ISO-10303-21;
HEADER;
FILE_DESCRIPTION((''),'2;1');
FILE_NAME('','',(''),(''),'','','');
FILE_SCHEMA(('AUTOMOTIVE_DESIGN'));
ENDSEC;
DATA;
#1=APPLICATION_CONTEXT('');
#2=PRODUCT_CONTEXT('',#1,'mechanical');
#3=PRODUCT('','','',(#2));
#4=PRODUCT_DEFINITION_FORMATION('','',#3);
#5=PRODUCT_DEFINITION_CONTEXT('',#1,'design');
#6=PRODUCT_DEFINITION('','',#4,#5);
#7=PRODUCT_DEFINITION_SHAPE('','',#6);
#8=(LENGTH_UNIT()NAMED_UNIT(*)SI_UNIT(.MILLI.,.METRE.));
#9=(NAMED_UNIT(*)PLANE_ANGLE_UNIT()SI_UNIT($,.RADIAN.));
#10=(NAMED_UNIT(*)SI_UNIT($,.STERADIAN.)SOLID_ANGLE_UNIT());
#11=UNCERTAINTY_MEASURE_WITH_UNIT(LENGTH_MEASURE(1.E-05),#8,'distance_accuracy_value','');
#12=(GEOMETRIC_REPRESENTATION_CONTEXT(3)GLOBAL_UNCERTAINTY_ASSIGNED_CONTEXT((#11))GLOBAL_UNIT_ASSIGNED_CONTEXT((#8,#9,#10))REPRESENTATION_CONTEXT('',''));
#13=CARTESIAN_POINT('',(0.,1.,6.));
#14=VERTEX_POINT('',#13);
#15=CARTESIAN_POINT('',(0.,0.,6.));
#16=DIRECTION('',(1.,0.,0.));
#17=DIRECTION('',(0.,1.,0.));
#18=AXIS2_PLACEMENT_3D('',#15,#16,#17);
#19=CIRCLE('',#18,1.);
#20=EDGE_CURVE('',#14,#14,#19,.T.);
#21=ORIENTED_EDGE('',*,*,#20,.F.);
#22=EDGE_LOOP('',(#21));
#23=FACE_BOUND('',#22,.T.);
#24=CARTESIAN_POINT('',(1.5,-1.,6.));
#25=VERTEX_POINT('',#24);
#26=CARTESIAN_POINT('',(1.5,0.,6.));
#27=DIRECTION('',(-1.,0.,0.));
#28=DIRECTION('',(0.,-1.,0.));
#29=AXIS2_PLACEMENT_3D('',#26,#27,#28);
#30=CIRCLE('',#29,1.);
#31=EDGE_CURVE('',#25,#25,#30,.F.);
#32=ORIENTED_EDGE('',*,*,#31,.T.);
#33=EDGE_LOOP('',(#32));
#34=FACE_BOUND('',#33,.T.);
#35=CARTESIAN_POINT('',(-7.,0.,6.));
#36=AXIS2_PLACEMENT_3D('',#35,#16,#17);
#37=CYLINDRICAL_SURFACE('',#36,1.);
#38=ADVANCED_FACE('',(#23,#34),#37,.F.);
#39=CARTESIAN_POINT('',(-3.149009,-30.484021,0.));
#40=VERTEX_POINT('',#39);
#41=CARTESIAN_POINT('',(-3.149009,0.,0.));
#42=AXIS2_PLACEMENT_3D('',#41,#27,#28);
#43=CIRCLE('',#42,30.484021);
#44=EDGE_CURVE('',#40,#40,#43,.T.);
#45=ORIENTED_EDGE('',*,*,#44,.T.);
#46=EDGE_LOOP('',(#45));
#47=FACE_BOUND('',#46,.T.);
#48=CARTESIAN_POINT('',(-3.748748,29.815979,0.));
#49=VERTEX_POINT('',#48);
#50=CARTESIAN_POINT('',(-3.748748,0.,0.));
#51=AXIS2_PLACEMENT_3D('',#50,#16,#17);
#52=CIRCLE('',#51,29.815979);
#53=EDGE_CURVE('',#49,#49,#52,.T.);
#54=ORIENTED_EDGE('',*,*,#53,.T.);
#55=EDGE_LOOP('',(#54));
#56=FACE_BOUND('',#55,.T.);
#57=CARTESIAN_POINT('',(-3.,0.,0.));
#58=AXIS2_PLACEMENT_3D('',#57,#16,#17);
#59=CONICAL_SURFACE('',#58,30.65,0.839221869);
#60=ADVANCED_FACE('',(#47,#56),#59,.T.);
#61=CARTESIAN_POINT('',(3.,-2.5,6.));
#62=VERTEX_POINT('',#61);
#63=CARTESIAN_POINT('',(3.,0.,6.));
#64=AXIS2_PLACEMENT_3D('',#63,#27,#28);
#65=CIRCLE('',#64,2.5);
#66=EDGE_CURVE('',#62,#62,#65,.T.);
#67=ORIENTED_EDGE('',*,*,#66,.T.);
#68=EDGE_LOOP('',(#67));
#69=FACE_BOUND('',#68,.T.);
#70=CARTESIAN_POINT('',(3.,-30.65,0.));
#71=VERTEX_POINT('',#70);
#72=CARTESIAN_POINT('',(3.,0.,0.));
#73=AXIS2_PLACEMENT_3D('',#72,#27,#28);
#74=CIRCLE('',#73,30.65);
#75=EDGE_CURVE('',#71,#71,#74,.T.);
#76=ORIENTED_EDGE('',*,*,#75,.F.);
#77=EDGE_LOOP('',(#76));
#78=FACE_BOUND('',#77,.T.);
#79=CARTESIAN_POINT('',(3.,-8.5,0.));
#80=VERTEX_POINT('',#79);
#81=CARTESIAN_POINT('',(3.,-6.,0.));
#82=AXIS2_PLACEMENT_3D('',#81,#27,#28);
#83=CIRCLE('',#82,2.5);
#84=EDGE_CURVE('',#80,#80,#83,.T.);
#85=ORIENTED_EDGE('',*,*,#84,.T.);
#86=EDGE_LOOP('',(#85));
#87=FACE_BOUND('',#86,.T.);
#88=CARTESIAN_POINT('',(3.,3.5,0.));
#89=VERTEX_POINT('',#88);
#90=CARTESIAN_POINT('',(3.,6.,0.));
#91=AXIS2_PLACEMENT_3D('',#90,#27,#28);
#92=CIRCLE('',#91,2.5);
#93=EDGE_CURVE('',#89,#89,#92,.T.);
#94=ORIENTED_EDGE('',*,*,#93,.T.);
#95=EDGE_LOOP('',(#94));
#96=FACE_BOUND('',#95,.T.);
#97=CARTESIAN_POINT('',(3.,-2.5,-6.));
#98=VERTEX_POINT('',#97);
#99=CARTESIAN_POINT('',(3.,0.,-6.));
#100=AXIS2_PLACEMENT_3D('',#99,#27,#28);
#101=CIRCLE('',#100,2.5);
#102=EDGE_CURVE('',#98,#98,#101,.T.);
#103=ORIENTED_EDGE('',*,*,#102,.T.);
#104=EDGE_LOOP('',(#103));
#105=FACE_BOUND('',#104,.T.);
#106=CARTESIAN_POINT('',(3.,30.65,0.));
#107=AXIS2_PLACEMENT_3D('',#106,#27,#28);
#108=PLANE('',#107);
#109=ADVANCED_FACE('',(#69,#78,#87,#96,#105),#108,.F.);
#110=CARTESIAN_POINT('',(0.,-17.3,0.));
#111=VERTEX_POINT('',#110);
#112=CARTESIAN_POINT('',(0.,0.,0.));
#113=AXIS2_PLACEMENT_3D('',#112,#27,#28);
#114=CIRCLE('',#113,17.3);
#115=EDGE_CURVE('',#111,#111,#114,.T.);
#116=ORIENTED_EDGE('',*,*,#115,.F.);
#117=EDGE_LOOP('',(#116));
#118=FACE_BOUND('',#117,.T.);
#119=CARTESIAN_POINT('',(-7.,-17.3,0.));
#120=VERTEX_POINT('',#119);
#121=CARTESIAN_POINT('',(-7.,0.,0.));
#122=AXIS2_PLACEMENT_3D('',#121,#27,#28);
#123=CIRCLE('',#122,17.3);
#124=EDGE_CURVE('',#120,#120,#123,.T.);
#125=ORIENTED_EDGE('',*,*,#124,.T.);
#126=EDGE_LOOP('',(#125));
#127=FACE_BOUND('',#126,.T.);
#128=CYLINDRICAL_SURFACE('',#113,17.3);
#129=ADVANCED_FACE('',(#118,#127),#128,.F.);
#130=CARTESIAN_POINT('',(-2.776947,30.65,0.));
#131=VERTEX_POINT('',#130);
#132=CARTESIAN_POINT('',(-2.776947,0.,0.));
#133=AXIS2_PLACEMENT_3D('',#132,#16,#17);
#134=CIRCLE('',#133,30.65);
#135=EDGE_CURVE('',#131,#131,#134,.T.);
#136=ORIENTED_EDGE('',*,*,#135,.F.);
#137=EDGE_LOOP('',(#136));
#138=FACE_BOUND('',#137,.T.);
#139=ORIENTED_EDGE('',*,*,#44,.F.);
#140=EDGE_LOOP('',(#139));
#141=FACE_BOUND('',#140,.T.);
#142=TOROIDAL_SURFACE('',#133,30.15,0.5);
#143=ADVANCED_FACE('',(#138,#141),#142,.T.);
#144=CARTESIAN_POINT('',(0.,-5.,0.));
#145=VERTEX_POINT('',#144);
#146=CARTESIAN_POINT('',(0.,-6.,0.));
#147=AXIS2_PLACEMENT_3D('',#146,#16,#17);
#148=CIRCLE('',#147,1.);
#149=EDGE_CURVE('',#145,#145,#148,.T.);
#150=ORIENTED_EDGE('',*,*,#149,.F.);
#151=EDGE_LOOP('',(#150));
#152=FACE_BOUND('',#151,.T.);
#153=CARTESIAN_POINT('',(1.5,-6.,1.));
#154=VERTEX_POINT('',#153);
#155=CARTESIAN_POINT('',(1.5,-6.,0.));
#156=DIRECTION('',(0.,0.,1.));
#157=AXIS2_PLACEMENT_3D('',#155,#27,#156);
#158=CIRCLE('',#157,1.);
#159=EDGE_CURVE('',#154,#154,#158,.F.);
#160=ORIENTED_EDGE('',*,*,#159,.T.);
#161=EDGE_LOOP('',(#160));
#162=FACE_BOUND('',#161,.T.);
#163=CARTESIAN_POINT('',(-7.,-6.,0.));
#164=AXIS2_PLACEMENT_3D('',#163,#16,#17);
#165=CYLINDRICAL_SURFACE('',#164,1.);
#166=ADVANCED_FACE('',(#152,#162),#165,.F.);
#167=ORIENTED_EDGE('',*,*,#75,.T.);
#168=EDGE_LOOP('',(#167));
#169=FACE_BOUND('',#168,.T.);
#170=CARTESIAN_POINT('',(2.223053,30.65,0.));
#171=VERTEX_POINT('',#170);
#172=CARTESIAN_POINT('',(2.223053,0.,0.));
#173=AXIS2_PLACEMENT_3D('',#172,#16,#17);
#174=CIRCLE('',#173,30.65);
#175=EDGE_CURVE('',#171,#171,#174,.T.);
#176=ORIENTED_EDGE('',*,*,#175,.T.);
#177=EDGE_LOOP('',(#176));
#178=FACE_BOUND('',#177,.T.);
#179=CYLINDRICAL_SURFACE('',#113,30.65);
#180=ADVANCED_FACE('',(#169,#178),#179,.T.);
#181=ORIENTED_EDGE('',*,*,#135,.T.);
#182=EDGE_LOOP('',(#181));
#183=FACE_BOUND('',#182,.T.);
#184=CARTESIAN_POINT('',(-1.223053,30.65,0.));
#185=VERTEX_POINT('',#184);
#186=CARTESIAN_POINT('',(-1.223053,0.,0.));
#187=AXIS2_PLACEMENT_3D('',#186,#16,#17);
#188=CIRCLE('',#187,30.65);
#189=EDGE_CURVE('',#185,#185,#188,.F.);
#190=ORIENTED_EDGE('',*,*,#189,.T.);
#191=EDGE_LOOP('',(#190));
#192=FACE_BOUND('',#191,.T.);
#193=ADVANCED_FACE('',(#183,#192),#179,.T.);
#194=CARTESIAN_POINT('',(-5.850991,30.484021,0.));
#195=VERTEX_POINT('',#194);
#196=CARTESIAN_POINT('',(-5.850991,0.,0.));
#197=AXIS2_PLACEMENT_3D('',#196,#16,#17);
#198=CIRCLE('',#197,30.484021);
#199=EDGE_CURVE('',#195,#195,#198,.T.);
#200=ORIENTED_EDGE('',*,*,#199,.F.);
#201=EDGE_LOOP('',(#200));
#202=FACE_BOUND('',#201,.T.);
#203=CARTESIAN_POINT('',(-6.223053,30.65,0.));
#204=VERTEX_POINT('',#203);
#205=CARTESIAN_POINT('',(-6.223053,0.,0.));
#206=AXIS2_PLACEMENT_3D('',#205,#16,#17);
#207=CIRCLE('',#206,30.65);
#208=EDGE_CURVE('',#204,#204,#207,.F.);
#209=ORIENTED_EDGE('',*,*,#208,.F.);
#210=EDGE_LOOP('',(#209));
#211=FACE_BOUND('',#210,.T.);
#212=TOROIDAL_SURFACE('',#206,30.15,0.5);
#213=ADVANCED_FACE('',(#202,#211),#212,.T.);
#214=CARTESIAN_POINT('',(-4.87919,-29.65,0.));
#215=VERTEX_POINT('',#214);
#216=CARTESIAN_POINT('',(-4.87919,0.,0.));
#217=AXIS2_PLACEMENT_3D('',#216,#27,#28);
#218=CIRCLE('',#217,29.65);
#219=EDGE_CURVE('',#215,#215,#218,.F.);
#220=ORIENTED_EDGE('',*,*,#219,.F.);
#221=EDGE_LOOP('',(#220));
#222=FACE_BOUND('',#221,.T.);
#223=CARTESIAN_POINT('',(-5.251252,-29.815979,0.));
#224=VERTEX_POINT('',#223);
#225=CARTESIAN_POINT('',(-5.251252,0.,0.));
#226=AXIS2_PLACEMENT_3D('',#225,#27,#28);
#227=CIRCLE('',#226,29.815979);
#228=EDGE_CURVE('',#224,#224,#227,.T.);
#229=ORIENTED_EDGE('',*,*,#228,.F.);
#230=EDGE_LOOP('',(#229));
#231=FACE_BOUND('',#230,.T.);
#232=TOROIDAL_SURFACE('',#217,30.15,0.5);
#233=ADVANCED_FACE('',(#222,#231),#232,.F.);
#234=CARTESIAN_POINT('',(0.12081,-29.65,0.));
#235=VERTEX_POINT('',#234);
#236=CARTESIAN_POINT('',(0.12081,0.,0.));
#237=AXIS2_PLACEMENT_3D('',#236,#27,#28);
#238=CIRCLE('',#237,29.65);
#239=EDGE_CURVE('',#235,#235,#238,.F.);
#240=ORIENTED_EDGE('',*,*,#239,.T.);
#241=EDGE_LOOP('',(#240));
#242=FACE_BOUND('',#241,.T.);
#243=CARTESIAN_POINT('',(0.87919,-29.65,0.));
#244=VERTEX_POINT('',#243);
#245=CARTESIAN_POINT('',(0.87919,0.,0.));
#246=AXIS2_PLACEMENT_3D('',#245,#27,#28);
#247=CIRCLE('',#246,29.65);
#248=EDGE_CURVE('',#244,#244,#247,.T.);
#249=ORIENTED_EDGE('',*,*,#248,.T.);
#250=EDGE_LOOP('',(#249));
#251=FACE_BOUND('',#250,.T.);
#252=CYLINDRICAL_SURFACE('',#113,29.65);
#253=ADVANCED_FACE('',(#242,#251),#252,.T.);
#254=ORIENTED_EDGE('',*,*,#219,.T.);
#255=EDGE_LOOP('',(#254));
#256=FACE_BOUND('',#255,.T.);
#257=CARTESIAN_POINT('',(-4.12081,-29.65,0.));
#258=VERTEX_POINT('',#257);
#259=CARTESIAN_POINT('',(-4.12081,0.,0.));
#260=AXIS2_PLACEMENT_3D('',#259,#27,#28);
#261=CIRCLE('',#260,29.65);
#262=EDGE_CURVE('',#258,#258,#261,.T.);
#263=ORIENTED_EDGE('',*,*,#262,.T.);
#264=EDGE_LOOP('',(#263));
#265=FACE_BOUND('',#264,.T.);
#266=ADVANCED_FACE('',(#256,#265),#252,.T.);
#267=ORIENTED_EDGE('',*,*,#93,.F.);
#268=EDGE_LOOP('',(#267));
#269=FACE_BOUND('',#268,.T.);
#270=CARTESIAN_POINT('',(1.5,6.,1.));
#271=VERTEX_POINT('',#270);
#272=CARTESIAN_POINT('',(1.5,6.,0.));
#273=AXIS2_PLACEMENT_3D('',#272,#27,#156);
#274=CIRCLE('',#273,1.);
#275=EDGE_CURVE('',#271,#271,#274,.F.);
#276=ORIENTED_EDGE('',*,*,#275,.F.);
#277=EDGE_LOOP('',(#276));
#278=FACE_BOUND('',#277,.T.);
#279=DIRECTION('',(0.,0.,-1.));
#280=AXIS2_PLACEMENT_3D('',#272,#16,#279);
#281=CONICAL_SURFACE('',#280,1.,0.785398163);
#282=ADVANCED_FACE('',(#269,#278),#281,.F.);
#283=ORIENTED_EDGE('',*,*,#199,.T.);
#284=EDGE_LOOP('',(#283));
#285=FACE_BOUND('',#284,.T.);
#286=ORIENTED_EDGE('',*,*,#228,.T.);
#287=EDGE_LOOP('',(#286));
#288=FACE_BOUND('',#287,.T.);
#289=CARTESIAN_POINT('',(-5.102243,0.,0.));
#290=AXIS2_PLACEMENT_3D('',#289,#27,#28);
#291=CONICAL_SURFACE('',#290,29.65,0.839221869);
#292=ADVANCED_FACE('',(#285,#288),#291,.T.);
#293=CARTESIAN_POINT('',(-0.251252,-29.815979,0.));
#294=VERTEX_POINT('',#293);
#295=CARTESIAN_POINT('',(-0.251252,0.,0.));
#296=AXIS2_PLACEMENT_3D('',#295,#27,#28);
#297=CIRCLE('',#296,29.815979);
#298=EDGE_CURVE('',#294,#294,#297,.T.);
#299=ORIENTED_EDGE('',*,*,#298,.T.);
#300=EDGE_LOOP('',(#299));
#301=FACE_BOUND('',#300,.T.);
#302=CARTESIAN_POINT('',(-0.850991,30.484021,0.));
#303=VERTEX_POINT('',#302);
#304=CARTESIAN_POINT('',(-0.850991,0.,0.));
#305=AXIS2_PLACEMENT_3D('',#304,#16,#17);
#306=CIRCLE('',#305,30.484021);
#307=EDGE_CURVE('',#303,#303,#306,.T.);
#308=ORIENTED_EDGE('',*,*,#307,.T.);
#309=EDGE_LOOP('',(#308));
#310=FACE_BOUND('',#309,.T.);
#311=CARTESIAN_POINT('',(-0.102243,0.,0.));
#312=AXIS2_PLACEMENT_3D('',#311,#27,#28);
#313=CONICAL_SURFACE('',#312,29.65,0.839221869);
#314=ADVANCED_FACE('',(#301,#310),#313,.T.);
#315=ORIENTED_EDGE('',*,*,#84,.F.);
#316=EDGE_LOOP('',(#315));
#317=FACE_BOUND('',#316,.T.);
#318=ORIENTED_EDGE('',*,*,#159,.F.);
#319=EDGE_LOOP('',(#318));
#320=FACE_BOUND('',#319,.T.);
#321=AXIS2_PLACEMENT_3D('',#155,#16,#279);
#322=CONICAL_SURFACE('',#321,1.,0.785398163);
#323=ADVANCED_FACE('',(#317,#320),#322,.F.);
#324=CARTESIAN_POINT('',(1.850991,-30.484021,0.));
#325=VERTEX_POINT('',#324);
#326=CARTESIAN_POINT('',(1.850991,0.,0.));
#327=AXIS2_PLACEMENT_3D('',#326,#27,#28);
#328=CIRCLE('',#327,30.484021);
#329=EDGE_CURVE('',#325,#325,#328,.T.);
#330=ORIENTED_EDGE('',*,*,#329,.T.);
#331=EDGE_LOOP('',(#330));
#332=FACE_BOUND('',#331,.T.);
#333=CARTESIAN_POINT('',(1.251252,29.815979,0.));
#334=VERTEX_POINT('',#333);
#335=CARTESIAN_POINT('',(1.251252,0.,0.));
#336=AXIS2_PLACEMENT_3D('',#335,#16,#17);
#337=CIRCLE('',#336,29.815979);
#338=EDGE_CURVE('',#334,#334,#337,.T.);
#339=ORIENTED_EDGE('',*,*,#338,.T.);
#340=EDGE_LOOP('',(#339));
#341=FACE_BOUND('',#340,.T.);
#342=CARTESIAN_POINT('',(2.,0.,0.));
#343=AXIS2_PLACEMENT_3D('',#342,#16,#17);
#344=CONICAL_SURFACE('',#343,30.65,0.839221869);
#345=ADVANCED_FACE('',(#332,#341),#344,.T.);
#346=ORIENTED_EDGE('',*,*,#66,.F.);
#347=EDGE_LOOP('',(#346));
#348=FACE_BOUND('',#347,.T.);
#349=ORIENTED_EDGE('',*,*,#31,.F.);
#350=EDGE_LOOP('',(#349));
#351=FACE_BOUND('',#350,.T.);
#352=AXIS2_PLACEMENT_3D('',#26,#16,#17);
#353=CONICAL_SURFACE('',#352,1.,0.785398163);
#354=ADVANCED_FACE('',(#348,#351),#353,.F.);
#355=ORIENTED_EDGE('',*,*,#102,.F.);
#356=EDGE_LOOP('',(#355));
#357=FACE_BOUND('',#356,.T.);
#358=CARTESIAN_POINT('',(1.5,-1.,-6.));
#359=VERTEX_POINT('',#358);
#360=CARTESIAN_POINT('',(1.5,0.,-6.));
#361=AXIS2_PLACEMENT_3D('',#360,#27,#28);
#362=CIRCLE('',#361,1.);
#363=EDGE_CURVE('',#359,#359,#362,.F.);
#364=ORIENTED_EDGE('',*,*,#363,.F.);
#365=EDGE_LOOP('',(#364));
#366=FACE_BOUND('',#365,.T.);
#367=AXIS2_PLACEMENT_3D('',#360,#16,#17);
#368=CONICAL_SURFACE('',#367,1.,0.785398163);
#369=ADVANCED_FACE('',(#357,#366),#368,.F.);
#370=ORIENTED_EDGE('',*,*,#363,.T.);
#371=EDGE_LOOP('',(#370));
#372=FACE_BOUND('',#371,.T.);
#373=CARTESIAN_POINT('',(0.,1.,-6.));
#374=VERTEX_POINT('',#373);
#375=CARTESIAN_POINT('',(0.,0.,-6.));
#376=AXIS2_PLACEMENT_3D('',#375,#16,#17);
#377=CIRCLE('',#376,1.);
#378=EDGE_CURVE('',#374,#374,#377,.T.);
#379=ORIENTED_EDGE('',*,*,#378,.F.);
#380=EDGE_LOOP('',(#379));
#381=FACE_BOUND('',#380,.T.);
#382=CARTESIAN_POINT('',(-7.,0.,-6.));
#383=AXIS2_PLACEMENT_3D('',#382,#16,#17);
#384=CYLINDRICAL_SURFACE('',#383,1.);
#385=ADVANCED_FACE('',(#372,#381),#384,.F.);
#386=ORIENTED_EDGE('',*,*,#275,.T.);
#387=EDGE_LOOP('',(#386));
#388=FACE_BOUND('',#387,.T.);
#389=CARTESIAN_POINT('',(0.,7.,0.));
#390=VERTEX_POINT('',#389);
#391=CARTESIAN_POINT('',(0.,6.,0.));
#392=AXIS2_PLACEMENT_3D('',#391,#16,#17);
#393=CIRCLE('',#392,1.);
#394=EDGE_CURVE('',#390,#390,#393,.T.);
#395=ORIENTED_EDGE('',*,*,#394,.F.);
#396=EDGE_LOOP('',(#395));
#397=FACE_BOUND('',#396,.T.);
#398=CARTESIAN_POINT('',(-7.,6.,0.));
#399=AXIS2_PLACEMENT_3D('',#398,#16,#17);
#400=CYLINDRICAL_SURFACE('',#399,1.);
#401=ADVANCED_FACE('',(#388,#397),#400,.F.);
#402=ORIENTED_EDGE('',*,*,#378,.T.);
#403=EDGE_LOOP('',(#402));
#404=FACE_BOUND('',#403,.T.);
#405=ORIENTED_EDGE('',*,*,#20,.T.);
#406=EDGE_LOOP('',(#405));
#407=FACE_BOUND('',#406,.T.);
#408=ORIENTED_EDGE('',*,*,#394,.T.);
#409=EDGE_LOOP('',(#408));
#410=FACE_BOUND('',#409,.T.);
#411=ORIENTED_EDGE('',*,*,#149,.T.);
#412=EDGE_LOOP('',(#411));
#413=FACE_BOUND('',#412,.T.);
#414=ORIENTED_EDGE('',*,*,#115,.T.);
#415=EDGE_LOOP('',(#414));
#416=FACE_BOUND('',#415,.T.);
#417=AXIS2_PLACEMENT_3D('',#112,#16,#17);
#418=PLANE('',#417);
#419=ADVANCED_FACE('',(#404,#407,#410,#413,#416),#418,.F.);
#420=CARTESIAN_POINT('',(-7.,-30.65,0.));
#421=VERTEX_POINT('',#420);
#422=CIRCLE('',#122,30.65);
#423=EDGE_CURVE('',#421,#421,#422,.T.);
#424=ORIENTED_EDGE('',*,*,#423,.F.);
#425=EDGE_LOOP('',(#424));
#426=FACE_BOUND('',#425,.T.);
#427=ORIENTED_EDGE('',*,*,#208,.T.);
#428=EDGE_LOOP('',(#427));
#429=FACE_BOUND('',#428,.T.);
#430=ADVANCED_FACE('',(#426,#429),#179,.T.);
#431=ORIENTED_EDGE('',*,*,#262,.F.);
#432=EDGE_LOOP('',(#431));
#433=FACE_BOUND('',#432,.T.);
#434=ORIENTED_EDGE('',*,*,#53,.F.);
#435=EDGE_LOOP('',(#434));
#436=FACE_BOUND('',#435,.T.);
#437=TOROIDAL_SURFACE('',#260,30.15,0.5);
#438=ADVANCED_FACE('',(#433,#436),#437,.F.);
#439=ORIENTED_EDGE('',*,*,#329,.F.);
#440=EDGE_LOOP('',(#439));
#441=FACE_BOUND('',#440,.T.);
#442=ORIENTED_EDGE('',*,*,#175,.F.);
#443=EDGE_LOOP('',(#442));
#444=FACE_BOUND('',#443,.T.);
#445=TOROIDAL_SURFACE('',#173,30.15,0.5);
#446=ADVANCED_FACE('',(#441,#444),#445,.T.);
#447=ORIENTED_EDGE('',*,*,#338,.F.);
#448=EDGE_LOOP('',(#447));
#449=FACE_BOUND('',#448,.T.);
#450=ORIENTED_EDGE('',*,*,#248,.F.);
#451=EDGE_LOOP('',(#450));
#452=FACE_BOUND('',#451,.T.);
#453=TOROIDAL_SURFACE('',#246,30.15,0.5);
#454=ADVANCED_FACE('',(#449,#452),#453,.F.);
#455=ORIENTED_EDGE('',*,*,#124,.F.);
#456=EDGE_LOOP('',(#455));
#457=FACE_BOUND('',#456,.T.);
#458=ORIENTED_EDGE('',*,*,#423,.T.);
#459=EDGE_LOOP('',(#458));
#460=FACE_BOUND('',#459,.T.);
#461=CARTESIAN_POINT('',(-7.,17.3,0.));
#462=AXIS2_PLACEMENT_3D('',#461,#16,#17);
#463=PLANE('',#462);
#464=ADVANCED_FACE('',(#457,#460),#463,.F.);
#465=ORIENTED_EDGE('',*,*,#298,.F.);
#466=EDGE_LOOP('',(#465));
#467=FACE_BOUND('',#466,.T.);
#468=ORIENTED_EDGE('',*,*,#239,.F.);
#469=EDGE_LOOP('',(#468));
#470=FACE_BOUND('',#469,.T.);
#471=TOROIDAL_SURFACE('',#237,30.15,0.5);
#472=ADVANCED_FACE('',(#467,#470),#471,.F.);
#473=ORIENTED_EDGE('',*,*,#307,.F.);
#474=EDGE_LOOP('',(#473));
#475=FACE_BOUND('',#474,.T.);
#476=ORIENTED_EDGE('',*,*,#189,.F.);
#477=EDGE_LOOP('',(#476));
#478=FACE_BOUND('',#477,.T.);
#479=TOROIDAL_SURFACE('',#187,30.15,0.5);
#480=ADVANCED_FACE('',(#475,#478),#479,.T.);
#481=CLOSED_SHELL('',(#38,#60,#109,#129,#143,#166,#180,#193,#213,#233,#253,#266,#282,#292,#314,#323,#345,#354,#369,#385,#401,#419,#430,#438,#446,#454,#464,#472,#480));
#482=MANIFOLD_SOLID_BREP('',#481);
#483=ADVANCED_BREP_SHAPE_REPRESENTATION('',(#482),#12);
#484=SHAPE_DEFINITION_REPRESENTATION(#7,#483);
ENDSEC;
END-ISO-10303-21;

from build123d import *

# Parameters (mm, degrees)
SCHIZZO2_R               = 1
TAGLIO_ESTRUSIONE1_DEPTH = 10
SMUSSO1_SIZE             = 1.5
RACCORDO1_R              = 0.5


with BuildPart() as part:
    # Schizzo1 → Rivoluzione1 (revolve)
    with BuildSketch(Plane.XY):
        Polygon((0, 0), (0, 17.3), (-7, 17.3), (-7, 30.65), (-6, 30.65), (-5.102243061, 29.65), (-3.897756939, 29.65), (-3, 30.65), (-1, 30.65), (-0.102243061, 29.65), (1.102243061, 29.65), (2, 30.65), (3, 30.65), (3, 0), align=None)
    revolve(axis=Axis((0, 0, 0), (1, 0, 0)))

    # Schizzo2 → Taglio-Estrusione1 (cut)
    with BuildSketch(Plane(origin=(3, 0, 0), x_dir=(0, 0, -1), z_dir=(1, 0, 0))):
        with Locations((0, 6)):
            Circle(SCHIZZO2_R)
        with Locations((6, 0)):
            Circle(SCHIZZO2_R)
        with Locations((0, -6)):
            Circle(SCHIZZO2_R)
        with Locations((-6, 0)):
            Circle(SCHIZZO2_R)
    extrude(amount=-TAGLIO_ESTRUSIONE1_DEPTH, mode=Mode.SUBTRACT)

    # Smusso1
    smusso1_edges = [part.edges().sort_by_distance(p)[0] for p in [
        (3, 6, 1),
        (3, 0, -5),
        (3, -6, 1),
        (3, 0, 7),
    ]]
    chamfer(smusso1_edges, length=SMUSSO1_SIZE)

    # Raccordo1
    raccordo1_edges = [part.edges().sort_by_distance(p)[0] for p in [
        (2, -30.65, 0),
        (1.102243061, -29.65, 0),
        (-0.102243061, -29.65, 0),
        (-1, -30.65, 0),
        (-3, -30.65, 0),
        (-3.897756939, -29.65, 0),
        (-5.102243061, -29.65, 0),
        (-6, -30.65, 0),
    ]]
    fillet(raccordo1_edges, radius=RACCORDO1_R)


solid = part.part
